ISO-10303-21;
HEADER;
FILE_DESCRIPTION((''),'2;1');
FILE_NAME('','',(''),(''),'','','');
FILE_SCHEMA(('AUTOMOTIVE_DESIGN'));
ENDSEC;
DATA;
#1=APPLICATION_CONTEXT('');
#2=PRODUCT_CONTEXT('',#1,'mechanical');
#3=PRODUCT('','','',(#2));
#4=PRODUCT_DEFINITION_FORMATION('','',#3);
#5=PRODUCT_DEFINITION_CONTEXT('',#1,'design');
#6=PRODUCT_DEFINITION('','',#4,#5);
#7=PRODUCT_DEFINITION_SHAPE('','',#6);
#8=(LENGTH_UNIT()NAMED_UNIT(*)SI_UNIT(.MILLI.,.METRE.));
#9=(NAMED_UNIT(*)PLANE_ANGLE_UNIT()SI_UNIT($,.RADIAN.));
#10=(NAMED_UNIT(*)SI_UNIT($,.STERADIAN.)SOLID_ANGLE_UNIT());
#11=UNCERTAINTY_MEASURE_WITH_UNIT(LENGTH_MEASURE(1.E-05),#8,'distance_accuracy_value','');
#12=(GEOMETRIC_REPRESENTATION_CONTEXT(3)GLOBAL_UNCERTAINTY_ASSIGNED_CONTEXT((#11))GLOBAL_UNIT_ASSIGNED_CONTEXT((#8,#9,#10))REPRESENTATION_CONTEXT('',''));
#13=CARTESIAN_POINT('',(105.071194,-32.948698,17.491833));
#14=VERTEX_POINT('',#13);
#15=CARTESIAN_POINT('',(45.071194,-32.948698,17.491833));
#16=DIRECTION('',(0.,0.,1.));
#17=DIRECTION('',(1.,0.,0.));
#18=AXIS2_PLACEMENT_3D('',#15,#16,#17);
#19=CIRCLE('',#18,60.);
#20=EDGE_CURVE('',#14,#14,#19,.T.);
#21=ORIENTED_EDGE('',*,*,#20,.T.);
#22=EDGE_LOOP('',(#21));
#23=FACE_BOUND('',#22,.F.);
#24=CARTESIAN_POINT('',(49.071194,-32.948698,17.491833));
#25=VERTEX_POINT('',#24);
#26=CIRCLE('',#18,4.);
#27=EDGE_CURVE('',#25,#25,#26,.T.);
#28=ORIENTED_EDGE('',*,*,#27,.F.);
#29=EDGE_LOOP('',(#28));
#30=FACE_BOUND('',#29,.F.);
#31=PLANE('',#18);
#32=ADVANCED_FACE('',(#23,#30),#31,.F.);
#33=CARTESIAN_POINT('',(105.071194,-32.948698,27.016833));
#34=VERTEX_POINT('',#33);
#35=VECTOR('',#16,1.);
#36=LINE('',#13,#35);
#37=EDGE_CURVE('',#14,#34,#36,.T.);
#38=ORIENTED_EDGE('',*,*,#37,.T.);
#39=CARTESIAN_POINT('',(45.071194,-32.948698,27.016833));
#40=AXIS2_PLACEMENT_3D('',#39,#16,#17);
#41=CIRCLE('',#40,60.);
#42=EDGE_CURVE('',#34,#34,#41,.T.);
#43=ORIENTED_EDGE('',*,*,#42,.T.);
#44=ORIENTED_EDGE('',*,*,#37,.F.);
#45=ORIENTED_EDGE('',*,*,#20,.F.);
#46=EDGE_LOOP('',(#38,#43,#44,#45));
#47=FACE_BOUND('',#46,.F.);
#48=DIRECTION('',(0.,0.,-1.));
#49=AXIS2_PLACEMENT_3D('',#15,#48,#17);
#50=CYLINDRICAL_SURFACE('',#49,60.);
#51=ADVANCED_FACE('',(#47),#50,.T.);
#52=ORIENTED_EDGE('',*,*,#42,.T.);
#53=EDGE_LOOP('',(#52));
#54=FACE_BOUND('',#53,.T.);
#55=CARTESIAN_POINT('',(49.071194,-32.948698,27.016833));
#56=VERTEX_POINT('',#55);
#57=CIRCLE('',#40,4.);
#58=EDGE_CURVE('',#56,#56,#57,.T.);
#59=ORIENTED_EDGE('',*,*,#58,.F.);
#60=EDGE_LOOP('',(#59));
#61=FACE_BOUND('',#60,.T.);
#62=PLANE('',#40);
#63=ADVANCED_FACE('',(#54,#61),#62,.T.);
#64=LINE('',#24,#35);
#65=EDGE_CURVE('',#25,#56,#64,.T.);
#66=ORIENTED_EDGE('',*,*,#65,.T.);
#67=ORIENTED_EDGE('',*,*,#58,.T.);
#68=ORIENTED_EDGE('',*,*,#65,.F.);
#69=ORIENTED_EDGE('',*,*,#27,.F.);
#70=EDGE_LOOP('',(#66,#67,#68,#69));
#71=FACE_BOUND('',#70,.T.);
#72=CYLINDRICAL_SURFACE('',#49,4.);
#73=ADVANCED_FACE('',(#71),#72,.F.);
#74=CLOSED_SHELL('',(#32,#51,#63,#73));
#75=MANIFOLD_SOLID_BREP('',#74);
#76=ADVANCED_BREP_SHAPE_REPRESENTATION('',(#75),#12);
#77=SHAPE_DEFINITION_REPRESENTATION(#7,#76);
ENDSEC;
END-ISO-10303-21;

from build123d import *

# Parameters (mm, degrees)
SKETCH010_R   = 60
SKETCH010_R_2 = 4
PAD003_DEPTH  = 9.525


with BuildPart() as part:
    # Sketch010 → Pad003 (new body)
    with BuildSketch(Plane.XY):
        Circle(SKETCH010_R)
        Circle(SKETCH010_R_2, mode=Mode.SUBTRACT)
    extrude(amount=PAD003_DEPTH)


with BuildPart() as part_1:
    # Body002 placement: moved
    add(part.part.moved(Location((45.071194, -32.948698, 17.491833))))


solid = part_1.part
